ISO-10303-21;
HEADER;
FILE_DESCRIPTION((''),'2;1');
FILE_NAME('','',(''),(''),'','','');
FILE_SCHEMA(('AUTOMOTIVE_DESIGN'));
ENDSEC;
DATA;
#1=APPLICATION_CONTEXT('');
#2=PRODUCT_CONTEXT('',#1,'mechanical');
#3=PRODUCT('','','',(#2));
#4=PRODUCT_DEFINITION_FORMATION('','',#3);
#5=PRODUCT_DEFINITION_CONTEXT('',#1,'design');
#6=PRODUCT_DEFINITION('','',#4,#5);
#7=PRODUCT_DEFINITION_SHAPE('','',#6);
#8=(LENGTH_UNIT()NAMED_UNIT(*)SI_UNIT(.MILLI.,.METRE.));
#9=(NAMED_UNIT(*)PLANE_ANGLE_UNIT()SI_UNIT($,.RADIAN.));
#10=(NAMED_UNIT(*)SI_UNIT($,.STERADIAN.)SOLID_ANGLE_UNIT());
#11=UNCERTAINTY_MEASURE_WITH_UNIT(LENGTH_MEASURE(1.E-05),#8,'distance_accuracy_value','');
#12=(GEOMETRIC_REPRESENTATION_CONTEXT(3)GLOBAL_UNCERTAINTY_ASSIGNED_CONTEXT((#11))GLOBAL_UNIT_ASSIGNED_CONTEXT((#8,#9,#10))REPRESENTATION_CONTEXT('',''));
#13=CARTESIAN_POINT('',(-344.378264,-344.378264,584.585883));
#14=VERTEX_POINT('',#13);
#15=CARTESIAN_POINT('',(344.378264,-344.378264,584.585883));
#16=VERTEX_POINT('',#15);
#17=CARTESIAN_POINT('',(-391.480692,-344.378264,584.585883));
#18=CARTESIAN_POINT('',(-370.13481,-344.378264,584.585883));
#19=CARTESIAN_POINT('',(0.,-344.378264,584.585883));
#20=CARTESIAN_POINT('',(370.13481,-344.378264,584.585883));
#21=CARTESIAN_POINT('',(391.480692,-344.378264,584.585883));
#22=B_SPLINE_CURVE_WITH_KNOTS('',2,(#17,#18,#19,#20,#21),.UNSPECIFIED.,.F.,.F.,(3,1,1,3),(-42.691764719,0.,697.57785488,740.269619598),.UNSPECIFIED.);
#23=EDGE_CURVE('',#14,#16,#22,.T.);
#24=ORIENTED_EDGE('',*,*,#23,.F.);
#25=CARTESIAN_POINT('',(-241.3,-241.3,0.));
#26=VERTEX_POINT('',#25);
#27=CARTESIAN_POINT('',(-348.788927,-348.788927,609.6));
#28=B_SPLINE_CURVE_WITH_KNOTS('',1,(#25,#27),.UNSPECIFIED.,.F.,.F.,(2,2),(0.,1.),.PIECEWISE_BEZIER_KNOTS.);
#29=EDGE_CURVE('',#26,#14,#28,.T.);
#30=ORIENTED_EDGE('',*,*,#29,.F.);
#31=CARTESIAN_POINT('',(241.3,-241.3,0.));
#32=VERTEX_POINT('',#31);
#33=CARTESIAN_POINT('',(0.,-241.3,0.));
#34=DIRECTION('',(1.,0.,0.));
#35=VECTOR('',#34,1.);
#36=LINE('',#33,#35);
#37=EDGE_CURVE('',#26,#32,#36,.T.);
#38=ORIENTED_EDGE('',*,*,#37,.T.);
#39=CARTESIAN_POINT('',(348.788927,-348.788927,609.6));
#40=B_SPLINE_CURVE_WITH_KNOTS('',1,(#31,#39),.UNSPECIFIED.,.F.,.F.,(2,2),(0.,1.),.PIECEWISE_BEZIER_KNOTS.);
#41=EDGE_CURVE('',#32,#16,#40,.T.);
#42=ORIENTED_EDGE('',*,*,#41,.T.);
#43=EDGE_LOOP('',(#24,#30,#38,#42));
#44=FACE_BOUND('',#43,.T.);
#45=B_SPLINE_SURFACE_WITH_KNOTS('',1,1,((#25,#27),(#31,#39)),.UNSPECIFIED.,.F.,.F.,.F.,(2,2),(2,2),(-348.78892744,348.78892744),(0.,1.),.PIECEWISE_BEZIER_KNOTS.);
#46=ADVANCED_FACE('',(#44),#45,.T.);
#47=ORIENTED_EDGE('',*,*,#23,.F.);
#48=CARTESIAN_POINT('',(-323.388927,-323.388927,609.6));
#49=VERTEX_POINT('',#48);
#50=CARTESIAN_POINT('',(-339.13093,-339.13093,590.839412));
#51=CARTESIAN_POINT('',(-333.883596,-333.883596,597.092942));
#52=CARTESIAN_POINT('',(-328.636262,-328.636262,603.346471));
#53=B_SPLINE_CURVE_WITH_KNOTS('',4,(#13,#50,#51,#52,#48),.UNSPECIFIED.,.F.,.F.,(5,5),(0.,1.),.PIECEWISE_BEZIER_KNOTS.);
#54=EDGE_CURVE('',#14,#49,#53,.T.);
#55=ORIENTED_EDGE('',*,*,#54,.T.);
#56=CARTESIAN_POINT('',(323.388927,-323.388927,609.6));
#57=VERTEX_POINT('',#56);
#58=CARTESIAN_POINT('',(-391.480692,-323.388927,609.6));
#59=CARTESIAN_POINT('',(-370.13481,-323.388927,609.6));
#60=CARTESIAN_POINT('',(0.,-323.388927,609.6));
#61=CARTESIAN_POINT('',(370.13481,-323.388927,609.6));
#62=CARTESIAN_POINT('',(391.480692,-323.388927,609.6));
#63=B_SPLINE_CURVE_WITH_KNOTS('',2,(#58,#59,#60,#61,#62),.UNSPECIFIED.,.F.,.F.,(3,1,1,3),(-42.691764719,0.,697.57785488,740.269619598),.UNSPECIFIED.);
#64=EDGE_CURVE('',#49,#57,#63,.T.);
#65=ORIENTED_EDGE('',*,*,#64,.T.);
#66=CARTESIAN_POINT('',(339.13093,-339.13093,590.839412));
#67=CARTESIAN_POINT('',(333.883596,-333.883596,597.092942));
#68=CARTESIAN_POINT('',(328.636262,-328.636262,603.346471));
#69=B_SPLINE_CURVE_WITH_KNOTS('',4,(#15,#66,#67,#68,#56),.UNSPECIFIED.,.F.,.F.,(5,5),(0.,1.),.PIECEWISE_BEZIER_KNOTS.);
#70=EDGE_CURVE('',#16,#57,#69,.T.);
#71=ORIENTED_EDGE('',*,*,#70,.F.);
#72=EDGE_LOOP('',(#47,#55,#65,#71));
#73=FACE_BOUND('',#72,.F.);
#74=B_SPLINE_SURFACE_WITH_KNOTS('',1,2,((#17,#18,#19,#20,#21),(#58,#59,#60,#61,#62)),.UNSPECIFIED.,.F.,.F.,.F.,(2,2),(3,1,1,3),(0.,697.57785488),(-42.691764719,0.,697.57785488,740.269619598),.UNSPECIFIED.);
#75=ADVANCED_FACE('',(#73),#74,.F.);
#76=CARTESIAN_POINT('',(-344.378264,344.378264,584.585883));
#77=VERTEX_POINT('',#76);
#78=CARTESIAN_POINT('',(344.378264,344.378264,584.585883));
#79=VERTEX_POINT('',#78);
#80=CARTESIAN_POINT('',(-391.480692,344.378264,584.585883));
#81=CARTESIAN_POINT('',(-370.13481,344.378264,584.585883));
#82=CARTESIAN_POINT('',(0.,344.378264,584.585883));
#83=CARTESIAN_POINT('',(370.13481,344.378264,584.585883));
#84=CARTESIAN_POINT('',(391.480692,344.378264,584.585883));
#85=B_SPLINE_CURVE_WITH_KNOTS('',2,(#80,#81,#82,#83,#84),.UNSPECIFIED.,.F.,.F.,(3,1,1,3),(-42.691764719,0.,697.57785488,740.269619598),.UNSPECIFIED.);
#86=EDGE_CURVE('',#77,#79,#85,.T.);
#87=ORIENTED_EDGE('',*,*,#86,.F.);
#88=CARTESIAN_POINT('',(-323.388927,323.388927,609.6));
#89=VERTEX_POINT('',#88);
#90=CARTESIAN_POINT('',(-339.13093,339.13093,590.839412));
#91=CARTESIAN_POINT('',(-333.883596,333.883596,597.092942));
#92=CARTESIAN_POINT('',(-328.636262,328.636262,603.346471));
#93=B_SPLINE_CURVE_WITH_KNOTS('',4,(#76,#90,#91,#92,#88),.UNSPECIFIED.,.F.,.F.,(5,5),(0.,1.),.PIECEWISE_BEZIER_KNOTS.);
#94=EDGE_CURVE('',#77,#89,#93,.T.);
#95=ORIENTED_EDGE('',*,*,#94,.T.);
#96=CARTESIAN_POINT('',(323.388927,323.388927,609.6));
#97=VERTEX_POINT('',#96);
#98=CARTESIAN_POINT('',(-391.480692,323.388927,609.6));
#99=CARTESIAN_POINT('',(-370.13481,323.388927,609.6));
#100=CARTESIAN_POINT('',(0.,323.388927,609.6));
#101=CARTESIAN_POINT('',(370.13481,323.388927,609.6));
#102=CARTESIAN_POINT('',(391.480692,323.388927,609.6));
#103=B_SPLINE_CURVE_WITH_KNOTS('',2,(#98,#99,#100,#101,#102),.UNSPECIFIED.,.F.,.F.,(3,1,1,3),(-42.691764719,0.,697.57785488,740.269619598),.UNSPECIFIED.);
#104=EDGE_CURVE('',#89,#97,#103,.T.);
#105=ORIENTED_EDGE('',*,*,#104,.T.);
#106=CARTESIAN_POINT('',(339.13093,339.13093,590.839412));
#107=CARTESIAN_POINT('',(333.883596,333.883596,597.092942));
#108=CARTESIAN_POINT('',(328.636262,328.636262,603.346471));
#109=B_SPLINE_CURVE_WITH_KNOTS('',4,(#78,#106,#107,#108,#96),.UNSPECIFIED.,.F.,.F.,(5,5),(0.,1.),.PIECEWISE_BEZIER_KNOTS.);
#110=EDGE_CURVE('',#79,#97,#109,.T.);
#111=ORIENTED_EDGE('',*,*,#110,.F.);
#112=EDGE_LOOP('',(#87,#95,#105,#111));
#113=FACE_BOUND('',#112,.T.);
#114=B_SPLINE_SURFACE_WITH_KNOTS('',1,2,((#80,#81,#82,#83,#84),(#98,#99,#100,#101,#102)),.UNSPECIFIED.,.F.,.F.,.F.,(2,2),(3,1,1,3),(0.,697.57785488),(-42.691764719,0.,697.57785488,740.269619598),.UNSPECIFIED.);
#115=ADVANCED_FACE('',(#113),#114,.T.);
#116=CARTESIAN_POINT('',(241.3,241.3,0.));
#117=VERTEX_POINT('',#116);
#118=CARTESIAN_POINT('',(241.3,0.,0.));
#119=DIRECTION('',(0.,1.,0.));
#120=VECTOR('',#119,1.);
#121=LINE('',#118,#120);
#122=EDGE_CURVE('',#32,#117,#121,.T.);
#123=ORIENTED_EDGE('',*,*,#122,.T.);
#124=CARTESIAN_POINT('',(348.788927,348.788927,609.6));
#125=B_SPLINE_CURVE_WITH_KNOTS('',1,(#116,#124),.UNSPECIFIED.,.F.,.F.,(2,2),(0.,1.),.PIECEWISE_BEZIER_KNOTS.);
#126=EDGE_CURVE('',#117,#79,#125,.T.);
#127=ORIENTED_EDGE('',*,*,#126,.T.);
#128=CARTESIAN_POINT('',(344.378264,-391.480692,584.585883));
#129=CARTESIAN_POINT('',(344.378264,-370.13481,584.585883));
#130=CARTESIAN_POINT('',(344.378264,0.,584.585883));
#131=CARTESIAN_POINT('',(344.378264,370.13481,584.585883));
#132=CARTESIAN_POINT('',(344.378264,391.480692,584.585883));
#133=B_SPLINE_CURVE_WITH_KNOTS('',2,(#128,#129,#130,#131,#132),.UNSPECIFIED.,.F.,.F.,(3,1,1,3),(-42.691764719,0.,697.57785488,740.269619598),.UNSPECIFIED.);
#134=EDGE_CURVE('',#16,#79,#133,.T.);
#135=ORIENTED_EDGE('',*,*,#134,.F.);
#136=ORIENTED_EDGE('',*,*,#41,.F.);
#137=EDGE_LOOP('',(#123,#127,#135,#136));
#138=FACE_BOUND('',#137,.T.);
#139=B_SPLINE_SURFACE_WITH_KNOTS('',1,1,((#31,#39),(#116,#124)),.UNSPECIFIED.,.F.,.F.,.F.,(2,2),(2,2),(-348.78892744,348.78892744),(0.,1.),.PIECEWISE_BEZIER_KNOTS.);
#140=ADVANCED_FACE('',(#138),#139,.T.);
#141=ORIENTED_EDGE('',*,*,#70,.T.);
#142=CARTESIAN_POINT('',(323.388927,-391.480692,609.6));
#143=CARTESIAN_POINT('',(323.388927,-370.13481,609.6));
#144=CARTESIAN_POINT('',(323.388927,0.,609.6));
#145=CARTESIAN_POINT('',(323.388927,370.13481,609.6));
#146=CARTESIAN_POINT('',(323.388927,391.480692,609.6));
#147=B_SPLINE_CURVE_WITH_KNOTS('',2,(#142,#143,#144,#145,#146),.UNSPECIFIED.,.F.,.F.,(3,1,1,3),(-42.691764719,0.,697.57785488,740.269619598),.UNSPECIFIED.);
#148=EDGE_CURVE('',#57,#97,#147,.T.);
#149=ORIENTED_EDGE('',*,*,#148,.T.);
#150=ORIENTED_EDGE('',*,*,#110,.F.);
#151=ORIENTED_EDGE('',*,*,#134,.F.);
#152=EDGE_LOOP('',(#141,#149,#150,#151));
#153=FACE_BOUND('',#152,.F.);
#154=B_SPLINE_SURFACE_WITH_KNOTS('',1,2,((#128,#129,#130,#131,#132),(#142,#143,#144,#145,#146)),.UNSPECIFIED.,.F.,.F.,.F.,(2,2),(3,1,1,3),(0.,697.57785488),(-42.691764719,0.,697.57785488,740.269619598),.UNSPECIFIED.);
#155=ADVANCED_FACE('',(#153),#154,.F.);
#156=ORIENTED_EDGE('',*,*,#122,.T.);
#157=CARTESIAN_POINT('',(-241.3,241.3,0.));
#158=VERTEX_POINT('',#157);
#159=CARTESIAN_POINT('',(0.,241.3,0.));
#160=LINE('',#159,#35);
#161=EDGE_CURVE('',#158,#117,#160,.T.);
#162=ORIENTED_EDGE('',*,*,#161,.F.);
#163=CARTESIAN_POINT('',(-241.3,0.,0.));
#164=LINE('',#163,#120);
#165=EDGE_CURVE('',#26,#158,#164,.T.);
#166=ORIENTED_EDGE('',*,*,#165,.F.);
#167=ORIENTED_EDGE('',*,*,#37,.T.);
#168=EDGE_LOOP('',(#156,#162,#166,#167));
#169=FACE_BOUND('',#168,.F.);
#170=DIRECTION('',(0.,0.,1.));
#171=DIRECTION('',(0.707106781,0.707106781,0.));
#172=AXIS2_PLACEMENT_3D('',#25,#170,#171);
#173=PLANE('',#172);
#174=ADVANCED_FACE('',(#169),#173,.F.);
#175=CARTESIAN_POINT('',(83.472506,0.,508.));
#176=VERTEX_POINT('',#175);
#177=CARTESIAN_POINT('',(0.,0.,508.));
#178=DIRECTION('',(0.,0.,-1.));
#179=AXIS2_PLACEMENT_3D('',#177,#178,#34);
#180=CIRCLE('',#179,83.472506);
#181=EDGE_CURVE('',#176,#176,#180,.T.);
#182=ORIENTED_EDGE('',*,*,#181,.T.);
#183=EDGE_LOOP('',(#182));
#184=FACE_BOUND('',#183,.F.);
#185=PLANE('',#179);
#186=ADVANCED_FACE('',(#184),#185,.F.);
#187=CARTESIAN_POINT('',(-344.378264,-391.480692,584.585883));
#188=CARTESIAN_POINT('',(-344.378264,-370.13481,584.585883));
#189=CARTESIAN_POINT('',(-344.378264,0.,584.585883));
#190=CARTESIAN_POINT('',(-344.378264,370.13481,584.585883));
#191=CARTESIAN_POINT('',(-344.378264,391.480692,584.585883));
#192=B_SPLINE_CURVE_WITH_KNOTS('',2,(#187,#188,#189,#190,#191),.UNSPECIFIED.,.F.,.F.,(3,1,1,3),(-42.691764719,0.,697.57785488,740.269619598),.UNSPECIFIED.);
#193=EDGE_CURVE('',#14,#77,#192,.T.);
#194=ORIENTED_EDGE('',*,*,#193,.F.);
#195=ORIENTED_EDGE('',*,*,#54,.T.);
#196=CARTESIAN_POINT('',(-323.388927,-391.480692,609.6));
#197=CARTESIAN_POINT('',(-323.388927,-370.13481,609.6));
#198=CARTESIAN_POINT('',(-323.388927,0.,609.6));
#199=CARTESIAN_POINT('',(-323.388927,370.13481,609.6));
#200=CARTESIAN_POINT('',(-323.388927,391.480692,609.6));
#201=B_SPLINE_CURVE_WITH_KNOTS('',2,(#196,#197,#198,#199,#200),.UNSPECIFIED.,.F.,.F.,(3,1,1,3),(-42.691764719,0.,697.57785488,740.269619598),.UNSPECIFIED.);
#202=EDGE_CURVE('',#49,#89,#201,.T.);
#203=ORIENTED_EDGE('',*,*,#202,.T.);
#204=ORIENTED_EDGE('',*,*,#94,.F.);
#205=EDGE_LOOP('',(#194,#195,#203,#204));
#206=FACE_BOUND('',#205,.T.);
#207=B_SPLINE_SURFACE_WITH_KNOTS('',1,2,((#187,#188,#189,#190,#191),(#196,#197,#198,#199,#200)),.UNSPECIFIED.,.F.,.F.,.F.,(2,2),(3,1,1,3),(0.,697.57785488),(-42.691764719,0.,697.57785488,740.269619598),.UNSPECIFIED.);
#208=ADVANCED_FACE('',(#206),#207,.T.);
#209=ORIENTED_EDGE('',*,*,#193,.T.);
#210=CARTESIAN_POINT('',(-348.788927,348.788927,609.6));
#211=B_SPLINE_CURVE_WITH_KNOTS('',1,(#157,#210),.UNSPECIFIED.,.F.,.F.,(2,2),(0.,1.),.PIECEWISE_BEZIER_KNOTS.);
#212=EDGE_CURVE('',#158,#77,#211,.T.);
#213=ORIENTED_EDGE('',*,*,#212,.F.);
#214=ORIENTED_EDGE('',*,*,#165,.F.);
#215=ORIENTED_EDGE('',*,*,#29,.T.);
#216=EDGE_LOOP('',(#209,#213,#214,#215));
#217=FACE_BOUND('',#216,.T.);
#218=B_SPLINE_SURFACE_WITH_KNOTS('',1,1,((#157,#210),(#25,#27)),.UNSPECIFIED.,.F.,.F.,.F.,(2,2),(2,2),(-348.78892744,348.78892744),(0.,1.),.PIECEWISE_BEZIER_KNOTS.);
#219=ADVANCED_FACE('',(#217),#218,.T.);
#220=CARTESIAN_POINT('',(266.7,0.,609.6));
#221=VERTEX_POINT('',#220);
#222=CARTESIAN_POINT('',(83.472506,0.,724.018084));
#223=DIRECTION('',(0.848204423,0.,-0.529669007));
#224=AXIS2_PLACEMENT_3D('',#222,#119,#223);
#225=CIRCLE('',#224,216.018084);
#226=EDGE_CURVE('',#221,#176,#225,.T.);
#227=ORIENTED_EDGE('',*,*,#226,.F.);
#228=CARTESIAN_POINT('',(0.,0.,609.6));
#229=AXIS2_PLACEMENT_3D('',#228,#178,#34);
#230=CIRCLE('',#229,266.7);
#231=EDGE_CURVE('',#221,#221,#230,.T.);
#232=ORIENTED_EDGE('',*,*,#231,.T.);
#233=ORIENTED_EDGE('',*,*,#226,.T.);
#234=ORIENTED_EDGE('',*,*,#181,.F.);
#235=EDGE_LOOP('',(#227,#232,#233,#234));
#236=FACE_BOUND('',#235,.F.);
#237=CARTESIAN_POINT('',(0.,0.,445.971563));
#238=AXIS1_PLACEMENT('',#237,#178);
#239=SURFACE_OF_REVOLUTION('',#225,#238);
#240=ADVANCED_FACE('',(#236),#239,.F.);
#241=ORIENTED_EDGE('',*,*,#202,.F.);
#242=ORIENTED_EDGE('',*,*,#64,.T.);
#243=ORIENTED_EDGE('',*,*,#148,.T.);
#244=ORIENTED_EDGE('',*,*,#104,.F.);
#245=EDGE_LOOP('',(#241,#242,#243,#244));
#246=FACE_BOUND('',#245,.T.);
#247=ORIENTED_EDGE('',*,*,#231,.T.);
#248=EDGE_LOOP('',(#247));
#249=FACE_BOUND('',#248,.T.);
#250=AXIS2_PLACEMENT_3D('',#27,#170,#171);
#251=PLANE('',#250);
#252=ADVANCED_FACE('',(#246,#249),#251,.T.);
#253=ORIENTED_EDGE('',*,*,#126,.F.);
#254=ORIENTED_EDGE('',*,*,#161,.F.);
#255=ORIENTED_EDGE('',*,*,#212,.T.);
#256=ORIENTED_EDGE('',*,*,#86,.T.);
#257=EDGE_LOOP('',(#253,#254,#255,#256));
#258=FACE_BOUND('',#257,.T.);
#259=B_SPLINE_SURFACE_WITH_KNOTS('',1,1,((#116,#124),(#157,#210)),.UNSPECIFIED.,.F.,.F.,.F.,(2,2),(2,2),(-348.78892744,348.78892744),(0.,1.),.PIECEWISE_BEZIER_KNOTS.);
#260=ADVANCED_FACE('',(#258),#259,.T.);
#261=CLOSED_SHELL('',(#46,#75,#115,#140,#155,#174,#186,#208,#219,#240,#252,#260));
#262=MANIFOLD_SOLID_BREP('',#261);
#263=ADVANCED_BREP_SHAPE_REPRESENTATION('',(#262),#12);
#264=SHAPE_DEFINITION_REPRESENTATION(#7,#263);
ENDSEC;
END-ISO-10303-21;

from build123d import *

# Parameters (mm, degrees)
F0_W     = 482.6
F0_H     = 482.6
F1_DEPTH = 609.6
F1_TAPER = -10
F2_SIZE  = 25.4


with BuildPart() as f1:
    # F0 (on Top) → F1 (new body)
    with BuildSketch(Plane.XY):
        Rectangle(F0_W, F0_H)
    extrude(amount=F1_DEPTH, taper=F1_TAPER)

    # F2
    f2_edges = [f1.edges().sort_by_distance(p)[0] for p in [
        (348.788927, 0, 609.6),
        (0, 348.788927, 609.6),
        (-348.788927, 0, 609.6),
        (0, -348.788927, 609.6),
    ]]
    chamfer(f2_edges, length=F2_SIZE)

    # F7 (on 3pt) → F8 (revolve, cut)
    with BuildSketch(Plane(origin=(0, 0, 0), x_dir=(-1, 0, 0), z_dir=(0, 1, 0))):
        with BuildLine():
            Line((-83.472505641, 508), (0, 508))
            Line((0, 508), (0, 609.6))
            Line((0, 609.6), (-266.7, 609.6))
            ThreePointArc((-266.7, 609.6), (-188.2280242177, 535.0998637348), (-83.472505641, 508))
        make_face()
    revolve(axis=Axis((0, 0, 445.9715634584), (0, 0, -1)), mode=Mode.SUBTRACT)


solid = f1.part
